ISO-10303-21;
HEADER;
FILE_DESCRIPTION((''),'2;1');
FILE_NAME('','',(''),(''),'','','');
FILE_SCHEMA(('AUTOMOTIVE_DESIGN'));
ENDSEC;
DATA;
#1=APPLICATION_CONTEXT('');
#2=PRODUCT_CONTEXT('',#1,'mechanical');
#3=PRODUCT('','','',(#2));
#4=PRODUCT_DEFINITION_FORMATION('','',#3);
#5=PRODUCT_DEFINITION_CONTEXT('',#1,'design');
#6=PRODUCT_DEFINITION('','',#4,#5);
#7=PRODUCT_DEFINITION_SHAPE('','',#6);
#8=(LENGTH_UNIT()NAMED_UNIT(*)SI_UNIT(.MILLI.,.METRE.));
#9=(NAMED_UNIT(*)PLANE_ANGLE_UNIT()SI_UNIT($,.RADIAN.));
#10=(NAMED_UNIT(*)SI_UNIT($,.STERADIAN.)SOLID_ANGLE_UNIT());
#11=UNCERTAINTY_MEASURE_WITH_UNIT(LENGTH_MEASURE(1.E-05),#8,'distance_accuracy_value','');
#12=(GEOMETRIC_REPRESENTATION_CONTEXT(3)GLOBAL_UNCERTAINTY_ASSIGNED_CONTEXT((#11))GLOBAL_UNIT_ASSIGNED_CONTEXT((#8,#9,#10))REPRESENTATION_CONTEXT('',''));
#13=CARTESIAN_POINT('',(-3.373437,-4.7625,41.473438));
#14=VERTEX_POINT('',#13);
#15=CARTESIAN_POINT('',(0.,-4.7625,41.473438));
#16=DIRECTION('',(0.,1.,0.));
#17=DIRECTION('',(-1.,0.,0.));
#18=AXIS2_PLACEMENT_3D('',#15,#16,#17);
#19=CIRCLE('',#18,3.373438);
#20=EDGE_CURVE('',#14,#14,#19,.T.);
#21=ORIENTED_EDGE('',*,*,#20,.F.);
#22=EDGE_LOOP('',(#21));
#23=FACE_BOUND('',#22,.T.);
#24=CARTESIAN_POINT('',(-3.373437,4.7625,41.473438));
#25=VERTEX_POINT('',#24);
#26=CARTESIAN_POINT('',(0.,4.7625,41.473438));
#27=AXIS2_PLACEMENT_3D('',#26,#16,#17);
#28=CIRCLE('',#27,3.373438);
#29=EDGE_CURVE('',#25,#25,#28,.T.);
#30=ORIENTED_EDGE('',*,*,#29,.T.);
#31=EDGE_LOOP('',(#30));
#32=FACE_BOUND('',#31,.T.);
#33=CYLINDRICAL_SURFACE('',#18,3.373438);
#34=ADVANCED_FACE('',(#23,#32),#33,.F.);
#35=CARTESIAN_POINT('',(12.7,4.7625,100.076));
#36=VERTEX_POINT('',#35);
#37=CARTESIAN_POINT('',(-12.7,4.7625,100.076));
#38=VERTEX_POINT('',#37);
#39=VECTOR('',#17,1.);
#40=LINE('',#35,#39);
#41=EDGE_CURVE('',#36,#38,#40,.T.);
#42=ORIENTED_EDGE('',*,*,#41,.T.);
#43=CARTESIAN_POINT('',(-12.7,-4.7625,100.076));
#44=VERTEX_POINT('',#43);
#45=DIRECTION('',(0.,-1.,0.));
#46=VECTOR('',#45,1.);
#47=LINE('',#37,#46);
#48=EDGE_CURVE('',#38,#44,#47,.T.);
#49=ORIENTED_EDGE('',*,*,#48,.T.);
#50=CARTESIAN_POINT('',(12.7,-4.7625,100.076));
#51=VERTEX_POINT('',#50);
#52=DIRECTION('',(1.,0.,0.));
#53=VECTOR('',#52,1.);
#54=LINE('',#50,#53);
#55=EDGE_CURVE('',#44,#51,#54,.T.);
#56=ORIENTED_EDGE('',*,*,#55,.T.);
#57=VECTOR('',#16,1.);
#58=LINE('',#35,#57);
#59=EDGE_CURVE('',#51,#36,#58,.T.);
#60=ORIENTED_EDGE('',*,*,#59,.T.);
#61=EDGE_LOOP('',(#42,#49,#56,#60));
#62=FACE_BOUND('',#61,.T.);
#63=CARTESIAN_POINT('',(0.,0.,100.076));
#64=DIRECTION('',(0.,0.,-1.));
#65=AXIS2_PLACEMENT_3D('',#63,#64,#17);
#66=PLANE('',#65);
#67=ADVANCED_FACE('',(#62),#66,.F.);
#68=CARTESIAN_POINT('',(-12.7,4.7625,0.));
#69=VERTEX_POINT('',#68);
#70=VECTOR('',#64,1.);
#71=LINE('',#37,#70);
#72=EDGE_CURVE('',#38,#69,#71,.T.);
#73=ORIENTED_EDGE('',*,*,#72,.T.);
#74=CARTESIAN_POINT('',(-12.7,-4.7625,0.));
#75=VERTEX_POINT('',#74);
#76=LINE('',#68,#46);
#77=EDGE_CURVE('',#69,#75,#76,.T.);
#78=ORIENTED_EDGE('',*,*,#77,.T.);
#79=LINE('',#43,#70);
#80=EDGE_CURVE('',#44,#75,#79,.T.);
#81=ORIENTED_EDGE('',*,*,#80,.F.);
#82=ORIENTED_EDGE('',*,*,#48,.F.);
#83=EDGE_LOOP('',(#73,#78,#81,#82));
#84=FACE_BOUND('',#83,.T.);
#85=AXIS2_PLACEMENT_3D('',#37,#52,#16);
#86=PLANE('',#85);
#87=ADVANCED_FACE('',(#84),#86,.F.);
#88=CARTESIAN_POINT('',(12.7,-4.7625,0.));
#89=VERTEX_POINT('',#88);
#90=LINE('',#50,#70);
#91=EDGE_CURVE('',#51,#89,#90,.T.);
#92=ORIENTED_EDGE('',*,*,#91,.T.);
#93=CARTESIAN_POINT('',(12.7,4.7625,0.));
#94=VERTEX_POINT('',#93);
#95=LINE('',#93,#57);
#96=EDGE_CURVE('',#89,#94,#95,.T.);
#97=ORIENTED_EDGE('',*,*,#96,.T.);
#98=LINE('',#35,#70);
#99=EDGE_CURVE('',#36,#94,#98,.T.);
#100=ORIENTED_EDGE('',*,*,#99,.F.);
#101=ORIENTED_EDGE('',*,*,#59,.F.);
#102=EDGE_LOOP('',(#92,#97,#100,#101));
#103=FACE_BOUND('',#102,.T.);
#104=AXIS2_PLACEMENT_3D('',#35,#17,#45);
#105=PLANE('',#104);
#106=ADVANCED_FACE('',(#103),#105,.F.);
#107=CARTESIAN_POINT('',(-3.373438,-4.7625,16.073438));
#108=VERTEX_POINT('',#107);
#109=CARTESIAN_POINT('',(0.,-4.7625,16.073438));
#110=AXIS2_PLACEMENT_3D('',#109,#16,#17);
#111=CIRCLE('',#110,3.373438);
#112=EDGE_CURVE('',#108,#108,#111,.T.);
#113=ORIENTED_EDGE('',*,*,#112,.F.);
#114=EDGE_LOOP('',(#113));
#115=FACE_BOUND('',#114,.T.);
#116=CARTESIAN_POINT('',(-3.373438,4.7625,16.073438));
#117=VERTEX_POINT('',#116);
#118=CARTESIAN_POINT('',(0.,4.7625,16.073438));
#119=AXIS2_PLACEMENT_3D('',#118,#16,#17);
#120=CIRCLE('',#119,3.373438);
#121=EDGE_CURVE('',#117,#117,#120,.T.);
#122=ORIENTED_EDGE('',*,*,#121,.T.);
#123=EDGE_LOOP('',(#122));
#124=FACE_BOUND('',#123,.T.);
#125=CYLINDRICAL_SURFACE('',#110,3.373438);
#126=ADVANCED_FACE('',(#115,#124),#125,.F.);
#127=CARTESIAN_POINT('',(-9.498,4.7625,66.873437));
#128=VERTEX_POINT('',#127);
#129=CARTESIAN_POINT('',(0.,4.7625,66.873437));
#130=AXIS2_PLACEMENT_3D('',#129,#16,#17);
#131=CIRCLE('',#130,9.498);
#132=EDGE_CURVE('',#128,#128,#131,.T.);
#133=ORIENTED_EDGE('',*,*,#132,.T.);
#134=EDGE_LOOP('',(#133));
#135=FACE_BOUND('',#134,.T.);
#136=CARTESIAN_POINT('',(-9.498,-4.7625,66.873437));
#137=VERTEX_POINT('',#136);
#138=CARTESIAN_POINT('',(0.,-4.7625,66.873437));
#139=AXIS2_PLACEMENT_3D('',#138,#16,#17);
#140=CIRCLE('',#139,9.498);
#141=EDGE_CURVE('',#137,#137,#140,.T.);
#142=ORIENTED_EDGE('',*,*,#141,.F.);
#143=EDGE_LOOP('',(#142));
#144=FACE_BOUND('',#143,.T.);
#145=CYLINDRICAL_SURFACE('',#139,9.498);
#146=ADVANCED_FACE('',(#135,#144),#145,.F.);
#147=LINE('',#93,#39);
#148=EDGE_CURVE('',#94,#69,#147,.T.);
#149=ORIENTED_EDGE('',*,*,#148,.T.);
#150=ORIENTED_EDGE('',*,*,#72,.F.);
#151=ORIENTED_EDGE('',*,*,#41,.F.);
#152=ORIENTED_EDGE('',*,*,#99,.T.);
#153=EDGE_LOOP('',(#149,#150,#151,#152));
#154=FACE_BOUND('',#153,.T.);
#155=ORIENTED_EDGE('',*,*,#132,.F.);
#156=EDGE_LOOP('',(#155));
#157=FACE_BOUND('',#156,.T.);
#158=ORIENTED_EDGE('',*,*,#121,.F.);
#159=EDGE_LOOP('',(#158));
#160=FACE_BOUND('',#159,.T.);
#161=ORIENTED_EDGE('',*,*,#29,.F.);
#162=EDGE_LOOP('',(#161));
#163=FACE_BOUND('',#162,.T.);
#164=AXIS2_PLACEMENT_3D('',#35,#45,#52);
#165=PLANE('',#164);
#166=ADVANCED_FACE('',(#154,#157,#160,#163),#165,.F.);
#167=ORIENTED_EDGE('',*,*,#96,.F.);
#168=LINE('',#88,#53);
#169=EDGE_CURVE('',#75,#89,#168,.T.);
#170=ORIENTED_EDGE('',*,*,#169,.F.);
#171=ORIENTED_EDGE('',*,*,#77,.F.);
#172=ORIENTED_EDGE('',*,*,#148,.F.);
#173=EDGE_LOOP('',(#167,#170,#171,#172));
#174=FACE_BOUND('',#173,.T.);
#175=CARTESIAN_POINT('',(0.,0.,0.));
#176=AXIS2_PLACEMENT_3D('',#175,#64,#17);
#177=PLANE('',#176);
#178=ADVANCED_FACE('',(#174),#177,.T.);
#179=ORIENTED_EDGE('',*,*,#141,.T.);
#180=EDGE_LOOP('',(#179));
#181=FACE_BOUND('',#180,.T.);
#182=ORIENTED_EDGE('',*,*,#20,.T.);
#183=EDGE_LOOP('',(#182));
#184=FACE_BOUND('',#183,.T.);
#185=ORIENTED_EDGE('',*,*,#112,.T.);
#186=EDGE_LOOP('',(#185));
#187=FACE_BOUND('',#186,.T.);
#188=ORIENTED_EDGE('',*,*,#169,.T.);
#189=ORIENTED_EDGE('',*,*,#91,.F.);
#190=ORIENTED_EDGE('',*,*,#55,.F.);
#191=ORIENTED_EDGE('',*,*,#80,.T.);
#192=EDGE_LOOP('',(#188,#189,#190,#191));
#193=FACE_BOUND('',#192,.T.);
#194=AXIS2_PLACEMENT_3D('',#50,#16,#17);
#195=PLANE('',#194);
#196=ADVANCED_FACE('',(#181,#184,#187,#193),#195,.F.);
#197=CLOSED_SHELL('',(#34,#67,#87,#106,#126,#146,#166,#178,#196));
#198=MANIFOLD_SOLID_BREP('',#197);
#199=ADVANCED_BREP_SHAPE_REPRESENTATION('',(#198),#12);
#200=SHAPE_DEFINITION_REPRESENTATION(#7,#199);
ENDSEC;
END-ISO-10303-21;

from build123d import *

# Parameters (mm, degrees)
SKETCH1_W           = 25.4
SKETCH1_H           = 9.525
BOSS_EXTRUDE1_DEPTH = 100.076
SKETCH2_R           = 3.3734375
SKETCH2_R_2         = 9.498
CUT_EXTRUDE1_DEPTH  = 102.3272984


with BuildPart() as part:
    # Sketch1 → Boss-Extrude1 (new body)
    with BuildSketch(Plane.XY):
        Rectangle(SKETCH1_W, SKETCH1_H)
    extrude(amount=BOSS_EXTRUDE1_DEPTH)

    # Sketch2 → Cut-Extrude1 (cut, through all)
    with BuildSketch(Plane(origin=(0, 4.7625, 0), x_dir=(1, 0, 0), z_dir=(0, 1, 0))):
        with Locations(Location((0, -16.0734375, 0), (0, 0, 180))):
            Circle(SKETCH2_R)
        with Locations(Location((0, -41.4734375, 0), (0, 0, 180))):
            Circle(SKETCH2_R)
        with Locations(Location((0, -66.8734375, 0), (0, 0, 180))):
            Circle(SKETCH2_R_2)
    extrude(amount=-CUT_EXTRUDE1_DEPTH, mode=Mode.SUBTRACT)


solid = part.part
